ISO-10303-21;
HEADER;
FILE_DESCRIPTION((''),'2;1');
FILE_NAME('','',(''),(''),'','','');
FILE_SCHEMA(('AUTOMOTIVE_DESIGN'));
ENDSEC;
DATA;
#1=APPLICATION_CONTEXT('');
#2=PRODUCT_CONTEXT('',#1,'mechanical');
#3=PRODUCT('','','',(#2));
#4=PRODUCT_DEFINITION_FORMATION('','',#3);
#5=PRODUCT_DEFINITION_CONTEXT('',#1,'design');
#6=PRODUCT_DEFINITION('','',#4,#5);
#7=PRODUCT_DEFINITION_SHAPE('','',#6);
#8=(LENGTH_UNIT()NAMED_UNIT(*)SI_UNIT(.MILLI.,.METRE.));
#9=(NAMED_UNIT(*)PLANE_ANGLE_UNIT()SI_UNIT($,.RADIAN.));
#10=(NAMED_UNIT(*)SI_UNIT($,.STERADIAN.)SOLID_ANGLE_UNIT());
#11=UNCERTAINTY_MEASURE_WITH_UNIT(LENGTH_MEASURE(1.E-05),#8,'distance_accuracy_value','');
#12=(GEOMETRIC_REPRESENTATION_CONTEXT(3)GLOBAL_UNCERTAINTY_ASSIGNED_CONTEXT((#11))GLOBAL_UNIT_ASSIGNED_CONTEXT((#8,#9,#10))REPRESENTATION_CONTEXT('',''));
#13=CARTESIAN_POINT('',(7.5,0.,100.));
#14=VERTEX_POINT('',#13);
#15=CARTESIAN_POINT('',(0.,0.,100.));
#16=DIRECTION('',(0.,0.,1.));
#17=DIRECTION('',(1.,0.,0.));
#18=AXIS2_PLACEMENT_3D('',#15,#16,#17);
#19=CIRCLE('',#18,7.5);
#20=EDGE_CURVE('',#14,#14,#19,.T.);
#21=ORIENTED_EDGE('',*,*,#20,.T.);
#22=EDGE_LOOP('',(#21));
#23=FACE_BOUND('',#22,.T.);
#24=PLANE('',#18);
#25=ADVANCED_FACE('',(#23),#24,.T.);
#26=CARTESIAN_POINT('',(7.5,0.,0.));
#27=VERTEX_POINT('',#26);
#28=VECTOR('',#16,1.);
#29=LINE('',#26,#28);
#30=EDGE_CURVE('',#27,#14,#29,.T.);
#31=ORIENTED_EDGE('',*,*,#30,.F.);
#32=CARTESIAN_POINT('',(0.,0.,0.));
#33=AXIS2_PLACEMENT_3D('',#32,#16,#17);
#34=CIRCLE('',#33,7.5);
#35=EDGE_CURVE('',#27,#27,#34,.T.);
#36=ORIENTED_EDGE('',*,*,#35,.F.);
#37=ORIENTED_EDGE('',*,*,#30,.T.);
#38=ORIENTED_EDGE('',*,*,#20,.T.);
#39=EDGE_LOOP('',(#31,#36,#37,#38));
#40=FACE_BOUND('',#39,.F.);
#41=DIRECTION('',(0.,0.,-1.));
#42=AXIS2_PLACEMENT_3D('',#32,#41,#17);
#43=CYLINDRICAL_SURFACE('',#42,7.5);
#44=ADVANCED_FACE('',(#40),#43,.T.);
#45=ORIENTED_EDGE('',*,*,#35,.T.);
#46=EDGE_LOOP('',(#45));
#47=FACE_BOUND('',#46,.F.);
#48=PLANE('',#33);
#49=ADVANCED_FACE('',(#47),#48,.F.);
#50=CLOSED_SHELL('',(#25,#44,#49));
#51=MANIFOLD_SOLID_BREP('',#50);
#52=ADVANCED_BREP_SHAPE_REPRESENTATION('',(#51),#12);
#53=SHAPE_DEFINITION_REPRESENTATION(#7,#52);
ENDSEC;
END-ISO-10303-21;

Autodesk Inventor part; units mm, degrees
ref_plane "YZ Plane" through (0, 0, 0) normal (1, 0, 0) x (0, 1, 0)
ref_plane "XZ Plane" through (0, 0, 0) normal (0, 1, 0) x (-1, 0, 0)
ref_plane "XY Plane" through (0, 0, 0) normal (0, 0, 1) x (1, 0, 0)
sketch "Sketch1" plane through (0, 0, 0) normal (0, 0, 1) x (1, 0, 0)
  circle A0 centre (0, 0) radius 7.5
  dimension "d0" = 15
extrude "Extrusion1" add sketch "Sketch1" along normal blind 100
properties part number "rod 2"
